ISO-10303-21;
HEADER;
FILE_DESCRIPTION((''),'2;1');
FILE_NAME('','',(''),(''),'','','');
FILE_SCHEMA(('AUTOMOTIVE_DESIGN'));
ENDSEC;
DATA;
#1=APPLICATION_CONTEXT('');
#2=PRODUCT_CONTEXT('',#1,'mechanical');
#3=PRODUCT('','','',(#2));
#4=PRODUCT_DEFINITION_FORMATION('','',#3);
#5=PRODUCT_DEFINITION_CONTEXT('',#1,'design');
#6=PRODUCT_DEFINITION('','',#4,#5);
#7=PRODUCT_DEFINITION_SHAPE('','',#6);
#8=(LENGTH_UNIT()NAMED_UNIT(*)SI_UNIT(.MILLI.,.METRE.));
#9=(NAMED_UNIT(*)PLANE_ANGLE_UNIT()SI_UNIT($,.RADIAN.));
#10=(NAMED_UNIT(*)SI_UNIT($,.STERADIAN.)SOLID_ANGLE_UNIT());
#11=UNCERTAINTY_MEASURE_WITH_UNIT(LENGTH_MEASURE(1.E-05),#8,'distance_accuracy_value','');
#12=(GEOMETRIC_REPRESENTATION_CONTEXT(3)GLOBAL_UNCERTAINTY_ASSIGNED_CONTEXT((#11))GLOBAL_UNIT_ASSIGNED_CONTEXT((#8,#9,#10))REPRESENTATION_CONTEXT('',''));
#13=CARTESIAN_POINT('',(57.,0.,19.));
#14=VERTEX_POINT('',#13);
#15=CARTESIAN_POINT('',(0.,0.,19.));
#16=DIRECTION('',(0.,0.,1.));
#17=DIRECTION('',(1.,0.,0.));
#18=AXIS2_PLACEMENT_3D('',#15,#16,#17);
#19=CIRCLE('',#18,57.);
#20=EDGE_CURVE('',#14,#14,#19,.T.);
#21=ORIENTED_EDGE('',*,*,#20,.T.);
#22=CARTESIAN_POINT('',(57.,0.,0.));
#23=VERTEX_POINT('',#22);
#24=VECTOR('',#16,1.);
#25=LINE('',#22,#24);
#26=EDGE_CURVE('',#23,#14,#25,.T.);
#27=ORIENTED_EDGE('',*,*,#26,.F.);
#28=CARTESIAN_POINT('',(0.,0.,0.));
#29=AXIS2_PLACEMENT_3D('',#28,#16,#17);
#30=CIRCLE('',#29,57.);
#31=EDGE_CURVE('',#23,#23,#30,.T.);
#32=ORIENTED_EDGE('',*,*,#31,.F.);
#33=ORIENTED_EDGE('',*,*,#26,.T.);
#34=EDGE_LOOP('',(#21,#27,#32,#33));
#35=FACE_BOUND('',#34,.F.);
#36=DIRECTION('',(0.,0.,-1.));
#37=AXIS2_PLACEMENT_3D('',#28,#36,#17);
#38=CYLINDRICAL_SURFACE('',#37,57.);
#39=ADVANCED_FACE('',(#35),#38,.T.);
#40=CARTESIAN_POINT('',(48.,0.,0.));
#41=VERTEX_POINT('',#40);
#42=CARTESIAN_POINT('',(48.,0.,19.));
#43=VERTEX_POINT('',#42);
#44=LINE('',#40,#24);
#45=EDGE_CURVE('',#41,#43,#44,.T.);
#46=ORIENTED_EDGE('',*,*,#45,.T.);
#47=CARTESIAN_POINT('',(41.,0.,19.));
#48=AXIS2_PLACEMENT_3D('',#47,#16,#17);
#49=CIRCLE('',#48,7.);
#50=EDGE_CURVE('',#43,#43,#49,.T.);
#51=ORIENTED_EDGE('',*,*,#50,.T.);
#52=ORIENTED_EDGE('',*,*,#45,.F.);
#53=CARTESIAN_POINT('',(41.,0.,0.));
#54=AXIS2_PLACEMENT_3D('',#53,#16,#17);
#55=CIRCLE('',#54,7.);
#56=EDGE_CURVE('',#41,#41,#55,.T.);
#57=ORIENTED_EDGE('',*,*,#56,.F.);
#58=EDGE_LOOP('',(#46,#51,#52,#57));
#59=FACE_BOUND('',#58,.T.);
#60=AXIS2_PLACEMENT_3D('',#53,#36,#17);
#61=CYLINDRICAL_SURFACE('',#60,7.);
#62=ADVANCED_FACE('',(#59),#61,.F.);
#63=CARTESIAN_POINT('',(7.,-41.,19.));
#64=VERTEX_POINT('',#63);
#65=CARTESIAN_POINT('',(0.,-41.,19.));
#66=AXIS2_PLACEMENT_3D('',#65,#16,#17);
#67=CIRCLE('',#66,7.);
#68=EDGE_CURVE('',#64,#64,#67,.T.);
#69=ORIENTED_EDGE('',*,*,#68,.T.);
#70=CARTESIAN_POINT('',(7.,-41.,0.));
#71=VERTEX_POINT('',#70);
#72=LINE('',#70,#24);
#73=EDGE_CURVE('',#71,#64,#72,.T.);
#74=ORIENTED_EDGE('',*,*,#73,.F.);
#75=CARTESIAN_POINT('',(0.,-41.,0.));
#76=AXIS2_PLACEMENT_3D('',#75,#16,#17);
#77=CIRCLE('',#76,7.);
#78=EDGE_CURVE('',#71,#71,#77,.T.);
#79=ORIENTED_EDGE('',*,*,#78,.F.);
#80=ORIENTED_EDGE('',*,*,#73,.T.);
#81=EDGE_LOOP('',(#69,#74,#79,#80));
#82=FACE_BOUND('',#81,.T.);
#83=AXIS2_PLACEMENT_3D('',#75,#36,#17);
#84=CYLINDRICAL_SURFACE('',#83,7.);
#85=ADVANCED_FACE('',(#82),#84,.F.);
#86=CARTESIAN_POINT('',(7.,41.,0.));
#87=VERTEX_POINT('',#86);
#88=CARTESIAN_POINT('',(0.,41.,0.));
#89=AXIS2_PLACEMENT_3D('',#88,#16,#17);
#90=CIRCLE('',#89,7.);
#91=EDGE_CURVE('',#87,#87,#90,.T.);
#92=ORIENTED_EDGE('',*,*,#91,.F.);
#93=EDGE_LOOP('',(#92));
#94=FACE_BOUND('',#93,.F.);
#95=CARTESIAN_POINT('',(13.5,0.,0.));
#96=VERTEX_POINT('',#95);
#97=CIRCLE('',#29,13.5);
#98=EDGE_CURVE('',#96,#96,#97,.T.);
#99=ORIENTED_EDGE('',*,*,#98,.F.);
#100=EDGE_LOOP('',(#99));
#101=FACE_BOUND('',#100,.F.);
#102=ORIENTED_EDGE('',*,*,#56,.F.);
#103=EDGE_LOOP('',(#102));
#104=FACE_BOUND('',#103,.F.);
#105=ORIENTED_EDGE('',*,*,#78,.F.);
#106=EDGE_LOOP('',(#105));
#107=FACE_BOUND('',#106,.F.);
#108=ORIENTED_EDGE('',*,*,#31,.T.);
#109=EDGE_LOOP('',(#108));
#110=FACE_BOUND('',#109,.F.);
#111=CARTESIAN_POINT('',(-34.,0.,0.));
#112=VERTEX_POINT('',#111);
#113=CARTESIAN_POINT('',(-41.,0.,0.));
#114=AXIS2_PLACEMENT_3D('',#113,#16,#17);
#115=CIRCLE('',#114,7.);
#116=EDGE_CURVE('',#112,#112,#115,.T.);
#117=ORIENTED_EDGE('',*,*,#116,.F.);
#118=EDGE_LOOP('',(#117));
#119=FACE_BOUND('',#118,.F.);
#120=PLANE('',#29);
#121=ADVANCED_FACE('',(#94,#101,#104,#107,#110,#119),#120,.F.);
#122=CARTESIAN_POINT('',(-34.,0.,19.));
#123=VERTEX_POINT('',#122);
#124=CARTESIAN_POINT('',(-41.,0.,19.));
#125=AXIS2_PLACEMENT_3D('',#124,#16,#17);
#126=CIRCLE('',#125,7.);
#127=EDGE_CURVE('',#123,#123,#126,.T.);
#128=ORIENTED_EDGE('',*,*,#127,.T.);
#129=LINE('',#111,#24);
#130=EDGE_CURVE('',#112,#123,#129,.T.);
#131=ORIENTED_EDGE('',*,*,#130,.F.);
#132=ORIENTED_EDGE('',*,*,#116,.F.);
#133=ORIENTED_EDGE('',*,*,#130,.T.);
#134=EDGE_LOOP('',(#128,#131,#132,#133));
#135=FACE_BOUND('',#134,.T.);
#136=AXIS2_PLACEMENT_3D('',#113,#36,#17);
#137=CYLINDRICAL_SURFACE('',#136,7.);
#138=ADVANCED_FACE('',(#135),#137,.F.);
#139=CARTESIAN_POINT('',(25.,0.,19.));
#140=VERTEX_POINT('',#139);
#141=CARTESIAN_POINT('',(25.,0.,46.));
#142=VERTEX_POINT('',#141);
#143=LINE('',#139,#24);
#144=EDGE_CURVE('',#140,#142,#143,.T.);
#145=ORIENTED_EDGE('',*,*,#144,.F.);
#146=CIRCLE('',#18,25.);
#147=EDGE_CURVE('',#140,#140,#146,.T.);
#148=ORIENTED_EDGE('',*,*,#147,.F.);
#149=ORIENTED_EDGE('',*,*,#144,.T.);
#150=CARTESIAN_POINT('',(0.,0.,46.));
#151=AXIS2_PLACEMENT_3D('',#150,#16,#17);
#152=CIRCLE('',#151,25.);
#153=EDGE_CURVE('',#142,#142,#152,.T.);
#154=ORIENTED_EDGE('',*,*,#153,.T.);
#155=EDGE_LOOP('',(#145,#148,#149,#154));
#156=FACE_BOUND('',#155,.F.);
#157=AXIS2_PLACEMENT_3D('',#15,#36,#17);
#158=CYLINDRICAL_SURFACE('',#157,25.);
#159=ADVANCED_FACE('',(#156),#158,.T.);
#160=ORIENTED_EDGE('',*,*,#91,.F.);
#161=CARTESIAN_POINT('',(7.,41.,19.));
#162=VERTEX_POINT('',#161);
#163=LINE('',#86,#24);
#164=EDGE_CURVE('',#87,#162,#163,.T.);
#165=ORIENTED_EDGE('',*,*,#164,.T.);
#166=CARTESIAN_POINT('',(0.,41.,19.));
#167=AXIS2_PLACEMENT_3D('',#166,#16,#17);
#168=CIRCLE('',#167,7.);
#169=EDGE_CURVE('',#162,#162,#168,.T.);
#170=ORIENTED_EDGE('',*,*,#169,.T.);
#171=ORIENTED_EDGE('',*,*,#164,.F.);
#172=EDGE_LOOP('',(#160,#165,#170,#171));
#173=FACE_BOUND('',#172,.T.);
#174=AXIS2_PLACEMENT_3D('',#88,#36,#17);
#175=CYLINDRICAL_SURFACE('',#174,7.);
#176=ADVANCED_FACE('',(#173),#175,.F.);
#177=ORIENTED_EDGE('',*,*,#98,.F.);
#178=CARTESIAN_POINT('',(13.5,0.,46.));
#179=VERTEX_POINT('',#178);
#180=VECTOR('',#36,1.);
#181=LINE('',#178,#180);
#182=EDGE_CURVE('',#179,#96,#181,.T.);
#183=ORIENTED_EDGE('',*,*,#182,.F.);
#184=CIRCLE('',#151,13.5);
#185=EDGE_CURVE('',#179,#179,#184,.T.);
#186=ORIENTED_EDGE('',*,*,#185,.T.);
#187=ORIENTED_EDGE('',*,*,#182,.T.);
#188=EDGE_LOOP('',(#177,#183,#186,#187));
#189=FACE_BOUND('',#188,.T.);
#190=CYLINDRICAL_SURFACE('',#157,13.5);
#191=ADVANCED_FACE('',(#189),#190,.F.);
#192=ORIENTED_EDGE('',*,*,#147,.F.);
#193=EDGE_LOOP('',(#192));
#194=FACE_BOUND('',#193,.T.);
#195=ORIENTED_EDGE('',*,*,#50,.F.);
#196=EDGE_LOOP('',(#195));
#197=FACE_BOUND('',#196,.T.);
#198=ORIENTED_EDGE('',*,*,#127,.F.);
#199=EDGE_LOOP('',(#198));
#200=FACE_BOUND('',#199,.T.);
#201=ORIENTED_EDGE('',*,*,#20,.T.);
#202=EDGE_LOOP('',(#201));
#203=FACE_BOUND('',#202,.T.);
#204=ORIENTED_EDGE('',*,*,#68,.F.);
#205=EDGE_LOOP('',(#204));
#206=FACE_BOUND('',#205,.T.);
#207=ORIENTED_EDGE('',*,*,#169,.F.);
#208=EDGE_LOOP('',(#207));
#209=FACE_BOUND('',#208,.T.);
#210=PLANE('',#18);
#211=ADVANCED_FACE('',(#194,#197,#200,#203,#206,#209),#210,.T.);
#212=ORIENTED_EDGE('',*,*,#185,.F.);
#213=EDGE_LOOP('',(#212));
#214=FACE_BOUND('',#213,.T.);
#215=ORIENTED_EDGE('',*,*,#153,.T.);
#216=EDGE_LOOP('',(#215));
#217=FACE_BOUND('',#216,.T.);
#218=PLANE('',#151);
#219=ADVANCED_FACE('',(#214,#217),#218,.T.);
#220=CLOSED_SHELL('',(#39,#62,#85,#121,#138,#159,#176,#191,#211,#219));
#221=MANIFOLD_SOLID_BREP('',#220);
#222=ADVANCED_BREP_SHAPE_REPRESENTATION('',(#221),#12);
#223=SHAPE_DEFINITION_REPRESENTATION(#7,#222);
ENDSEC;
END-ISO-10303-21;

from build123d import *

# Parameters (mm, degrees)
F0_R     = 57
F0_R_2   = 7
F0_R_3   = 13.5
F1_DEPTH = 19
F2_R     = 25
F2_R_2   = 13.5
F3_DEPTH = 27


with BuildPart() as f1:
    # F0 (on Top) → F1 (new body)
    with BuildSketch(Plane.XY):
        Circle(F0_R)
        with Locations((0, -41)):
            Circle(F0_R_2, mode=Mode.SUBTRACT)
        with Locations((-41, 0)):
            Circle(F0_R_2, mode=Mode.SUBTRACT)
        Circle(F0_R_3, mode=Mode.SUBTRACT)
        with Locations((41, 0)):
            Circle(F0_R_2, mode=Mode.SUBTRACT)
        with Locations((0, 41)):
            Circle(F0_R_2, mode=Mode.SUBTRACT)
    extrude(amount=F1_DEPTH)

    # F2 (on face) → F3 (join)
    with BuildSketch(Plane.XY.offset(19)):
        Circle(F2_R)
        Circle(F2_R_2, mode=Mode.SUBTRACT)
    extrude(amount=F3_DEPTH)


solid = f1.part
